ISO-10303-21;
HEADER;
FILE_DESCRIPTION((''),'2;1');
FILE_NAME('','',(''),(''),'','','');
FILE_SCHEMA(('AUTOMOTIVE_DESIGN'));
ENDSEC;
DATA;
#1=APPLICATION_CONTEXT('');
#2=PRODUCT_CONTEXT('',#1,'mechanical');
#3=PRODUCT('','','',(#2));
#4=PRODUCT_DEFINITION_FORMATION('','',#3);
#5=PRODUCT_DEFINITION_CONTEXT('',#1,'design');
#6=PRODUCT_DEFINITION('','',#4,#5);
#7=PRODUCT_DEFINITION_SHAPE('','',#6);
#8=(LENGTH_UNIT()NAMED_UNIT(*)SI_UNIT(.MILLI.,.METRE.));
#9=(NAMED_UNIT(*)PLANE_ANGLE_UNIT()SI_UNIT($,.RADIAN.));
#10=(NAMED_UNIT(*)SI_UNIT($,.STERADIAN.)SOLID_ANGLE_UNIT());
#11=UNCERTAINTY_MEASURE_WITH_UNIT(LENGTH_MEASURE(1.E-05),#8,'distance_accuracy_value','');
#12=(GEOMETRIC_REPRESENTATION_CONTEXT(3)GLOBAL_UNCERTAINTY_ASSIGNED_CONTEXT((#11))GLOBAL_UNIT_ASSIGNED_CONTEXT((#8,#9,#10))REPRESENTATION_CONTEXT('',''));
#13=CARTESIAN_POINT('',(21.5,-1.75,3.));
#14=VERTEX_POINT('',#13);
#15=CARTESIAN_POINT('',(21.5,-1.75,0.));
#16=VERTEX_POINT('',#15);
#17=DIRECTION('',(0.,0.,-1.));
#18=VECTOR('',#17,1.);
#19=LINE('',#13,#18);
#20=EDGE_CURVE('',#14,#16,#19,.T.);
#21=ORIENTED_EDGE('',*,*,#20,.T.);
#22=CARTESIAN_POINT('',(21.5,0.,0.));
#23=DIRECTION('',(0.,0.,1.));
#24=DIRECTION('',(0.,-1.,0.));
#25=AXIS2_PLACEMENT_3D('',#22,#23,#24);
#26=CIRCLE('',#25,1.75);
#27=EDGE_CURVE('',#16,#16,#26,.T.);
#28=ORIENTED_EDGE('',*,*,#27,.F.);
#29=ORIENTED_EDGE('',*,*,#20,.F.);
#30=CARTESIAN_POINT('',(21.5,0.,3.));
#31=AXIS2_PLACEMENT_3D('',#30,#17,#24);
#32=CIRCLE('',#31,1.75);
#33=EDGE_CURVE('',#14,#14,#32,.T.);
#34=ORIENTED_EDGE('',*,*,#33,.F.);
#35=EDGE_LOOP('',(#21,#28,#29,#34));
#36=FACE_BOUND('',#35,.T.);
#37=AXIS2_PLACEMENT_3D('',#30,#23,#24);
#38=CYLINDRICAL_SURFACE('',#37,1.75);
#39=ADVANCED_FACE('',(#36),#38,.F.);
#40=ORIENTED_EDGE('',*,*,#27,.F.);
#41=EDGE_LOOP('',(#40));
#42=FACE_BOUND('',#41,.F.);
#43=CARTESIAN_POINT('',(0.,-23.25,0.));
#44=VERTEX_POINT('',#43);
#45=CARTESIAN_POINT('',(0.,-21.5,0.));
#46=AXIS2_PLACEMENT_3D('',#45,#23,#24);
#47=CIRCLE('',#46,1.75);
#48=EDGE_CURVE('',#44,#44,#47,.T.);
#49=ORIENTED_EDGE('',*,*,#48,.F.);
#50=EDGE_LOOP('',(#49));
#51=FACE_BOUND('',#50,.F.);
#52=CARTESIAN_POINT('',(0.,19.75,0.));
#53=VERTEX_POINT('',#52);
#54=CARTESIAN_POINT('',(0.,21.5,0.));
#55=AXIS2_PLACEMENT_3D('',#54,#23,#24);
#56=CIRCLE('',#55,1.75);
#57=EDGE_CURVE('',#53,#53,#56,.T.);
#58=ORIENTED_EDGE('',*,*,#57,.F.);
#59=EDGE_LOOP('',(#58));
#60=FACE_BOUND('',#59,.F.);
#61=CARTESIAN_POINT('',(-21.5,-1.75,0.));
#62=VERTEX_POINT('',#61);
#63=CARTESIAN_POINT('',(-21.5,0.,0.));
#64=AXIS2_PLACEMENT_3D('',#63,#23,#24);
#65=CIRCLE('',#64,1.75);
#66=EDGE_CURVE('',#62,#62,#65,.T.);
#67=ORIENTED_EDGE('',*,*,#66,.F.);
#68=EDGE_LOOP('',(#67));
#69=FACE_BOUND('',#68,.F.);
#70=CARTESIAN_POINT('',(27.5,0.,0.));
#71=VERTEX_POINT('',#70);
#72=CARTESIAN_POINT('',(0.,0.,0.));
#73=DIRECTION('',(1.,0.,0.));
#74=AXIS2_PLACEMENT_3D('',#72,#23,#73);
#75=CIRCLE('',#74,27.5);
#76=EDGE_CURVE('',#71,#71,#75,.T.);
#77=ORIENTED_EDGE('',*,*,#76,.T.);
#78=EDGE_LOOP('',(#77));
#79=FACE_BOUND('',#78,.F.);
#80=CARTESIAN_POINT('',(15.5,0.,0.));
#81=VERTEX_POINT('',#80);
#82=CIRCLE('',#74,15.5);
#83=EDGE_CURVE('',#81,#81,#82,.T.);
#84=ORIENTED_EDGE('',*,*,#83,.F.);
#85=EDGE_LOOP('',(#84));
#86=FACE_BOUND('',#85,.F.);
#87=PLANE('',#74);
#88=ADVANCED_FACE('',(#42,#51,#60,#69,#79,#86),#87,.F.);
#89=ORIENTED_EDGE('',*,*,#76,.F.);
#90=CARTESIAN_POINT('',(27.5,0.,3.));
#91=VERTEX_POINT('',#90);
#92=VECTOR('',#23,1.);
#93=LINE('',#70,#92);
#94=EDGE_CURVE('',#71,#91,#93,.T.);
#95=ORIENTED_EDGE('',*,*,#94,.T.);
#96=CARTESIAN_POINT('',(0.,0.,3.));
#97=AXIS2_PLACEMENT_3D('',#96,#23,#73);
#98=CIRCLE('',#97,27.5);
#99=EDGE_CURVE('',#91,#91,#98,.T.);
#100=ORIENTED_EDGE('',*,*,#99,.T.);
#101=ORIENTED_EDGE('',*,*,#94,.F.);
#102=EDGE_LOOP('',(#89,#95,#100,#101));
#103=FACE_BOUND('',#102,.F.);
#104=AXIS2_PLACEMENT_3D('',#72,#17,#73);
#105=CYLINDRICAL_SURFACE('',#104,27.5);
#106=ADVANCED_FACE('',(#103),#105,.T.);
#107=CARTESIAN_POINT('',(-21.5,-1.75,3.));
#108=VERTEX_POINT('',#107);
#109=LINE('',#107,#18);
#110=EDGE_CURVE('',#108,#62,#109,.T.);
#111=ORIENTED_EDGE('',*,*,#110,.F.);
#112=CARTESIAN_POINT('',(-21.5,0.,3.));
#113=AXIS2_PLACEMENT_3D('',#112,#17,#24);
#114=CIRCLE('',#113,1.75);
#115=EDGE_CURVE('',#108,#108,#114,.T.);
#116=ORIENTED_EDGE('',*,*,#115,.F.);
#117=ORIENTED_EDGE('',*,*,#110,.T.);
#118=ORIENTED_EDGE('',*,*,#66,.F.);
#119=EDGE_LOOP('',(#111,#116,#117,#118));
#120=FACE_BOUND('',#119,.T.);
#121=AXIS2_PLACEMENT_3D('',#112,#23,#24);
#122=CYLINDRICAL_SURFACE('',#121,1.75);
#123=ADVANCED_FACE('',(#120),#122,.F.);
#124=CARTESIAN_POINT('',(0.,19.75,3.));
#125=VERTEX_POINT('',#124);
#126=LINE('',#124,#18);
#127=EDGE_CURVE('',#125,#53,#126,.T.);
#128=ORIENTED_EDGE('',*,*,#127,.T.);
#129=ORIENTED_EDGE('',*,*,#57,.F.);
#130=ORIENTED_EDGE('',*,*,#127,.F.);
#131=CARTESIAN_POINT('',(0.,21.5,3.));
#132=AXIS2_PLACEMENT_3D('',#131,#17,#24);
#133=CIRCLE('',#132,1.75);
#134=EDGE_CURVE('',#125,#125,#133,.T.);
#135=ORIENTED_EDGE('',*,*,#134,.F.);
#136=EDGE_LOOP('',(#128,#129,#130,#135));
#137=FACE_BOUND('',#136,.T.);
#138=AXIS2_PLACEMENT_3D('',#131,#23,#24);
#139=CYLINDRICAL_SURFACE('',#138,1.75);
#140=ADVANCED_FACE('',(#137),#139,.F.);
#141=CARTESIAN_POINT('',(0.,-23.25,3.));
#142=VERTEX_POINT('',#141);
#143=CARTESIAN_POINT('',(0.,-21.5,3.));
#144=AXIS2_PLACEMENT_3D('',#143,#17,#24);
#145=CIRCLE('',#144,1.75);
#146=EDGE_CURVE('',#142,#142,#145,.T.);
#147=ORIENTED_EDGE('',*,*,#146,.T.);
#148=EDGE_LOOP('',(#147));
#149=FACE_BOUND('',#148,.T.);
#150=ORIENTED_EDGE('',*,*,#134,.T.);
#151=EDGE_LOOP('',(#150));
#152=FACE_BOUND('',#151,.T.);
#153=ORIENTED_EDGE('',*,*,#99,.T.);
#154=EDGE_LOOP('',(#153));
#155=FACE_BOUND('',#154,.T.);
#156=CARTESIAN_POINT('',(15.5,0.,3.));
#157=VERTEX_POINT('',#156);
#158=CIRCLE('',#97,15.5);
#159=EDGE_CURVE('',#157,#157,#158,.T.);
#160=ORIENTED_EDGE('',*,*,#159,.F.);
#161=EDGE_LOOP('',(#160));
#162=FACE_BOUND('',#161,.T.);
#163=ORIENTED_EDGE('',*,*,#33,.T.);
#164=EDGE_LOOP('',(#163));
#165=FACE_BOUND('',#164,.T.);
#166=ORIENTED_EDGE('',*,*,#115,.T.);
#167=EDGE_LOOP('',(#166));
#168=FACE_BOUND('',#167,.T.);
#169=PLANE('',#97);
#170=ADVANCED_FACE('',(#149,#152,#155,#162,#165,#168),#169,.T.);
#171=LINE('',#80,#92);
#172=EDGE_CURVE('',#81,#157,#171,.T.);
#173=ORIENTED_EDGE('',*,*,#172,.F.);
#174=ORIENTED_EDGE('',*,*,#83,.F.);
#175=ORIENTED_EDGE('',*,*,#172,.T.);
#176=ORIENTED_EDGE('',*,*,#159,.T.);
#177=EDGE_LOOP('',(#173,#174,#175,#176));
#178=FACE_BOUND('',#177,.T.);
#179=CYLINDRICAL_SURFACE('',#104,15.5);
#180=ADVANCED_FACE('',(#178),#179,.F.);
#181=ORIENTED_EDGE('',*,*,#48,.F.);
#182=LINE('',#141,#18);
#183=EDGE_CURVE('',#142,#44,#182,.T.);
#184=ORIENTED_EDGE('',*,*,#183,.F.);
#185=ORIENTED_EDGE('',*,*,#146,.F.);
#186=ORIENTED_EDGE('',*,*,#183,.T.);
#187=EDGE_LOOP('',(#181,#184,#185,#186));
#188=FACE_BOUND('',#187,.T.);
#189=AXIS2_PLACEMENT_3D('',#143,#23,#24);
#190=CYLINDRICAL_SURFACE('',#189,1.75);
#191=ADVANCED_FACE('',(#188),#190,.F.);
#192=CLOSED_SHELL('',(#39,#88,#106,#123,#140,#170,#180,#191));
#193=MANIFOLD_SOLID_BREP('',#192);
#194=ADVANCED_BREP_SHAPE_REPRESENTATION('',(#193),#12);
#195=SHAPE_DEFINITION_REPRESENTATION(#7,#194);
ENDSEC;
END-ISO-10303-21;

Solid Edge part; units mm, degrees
sketch "Sketch1" plane through (0, 0, 0) normal (0, 0, 1) x (1, 0, 0)
  circle A0 centre (0, 0) radius 15.5
  circle A1 centre (0, 0) radius 27.5
  dimension "D1" = 55
  dimension "D2" = 31
extrude "Protrusion1" add sketch "Sketch1" along normal blind 3
hole "Hole_1" at (-21.5, 0, 3) direction (0, 0, -1) diameter 3.5 end up to next
hole "Hole1" at (0, -21.5, 3) direction (0, 0, -1) diameter 3.5 end up to next
hole "Hole2" at (21.5, 0, 3) direction (0, 0, -1) diameter 3.5 end up to next
hole "Hole3" at (0, 21.5, 3) direction (0, 0, -1) diameter 3.5 end up to next
properties material "Aluminum, 6061-T6"
